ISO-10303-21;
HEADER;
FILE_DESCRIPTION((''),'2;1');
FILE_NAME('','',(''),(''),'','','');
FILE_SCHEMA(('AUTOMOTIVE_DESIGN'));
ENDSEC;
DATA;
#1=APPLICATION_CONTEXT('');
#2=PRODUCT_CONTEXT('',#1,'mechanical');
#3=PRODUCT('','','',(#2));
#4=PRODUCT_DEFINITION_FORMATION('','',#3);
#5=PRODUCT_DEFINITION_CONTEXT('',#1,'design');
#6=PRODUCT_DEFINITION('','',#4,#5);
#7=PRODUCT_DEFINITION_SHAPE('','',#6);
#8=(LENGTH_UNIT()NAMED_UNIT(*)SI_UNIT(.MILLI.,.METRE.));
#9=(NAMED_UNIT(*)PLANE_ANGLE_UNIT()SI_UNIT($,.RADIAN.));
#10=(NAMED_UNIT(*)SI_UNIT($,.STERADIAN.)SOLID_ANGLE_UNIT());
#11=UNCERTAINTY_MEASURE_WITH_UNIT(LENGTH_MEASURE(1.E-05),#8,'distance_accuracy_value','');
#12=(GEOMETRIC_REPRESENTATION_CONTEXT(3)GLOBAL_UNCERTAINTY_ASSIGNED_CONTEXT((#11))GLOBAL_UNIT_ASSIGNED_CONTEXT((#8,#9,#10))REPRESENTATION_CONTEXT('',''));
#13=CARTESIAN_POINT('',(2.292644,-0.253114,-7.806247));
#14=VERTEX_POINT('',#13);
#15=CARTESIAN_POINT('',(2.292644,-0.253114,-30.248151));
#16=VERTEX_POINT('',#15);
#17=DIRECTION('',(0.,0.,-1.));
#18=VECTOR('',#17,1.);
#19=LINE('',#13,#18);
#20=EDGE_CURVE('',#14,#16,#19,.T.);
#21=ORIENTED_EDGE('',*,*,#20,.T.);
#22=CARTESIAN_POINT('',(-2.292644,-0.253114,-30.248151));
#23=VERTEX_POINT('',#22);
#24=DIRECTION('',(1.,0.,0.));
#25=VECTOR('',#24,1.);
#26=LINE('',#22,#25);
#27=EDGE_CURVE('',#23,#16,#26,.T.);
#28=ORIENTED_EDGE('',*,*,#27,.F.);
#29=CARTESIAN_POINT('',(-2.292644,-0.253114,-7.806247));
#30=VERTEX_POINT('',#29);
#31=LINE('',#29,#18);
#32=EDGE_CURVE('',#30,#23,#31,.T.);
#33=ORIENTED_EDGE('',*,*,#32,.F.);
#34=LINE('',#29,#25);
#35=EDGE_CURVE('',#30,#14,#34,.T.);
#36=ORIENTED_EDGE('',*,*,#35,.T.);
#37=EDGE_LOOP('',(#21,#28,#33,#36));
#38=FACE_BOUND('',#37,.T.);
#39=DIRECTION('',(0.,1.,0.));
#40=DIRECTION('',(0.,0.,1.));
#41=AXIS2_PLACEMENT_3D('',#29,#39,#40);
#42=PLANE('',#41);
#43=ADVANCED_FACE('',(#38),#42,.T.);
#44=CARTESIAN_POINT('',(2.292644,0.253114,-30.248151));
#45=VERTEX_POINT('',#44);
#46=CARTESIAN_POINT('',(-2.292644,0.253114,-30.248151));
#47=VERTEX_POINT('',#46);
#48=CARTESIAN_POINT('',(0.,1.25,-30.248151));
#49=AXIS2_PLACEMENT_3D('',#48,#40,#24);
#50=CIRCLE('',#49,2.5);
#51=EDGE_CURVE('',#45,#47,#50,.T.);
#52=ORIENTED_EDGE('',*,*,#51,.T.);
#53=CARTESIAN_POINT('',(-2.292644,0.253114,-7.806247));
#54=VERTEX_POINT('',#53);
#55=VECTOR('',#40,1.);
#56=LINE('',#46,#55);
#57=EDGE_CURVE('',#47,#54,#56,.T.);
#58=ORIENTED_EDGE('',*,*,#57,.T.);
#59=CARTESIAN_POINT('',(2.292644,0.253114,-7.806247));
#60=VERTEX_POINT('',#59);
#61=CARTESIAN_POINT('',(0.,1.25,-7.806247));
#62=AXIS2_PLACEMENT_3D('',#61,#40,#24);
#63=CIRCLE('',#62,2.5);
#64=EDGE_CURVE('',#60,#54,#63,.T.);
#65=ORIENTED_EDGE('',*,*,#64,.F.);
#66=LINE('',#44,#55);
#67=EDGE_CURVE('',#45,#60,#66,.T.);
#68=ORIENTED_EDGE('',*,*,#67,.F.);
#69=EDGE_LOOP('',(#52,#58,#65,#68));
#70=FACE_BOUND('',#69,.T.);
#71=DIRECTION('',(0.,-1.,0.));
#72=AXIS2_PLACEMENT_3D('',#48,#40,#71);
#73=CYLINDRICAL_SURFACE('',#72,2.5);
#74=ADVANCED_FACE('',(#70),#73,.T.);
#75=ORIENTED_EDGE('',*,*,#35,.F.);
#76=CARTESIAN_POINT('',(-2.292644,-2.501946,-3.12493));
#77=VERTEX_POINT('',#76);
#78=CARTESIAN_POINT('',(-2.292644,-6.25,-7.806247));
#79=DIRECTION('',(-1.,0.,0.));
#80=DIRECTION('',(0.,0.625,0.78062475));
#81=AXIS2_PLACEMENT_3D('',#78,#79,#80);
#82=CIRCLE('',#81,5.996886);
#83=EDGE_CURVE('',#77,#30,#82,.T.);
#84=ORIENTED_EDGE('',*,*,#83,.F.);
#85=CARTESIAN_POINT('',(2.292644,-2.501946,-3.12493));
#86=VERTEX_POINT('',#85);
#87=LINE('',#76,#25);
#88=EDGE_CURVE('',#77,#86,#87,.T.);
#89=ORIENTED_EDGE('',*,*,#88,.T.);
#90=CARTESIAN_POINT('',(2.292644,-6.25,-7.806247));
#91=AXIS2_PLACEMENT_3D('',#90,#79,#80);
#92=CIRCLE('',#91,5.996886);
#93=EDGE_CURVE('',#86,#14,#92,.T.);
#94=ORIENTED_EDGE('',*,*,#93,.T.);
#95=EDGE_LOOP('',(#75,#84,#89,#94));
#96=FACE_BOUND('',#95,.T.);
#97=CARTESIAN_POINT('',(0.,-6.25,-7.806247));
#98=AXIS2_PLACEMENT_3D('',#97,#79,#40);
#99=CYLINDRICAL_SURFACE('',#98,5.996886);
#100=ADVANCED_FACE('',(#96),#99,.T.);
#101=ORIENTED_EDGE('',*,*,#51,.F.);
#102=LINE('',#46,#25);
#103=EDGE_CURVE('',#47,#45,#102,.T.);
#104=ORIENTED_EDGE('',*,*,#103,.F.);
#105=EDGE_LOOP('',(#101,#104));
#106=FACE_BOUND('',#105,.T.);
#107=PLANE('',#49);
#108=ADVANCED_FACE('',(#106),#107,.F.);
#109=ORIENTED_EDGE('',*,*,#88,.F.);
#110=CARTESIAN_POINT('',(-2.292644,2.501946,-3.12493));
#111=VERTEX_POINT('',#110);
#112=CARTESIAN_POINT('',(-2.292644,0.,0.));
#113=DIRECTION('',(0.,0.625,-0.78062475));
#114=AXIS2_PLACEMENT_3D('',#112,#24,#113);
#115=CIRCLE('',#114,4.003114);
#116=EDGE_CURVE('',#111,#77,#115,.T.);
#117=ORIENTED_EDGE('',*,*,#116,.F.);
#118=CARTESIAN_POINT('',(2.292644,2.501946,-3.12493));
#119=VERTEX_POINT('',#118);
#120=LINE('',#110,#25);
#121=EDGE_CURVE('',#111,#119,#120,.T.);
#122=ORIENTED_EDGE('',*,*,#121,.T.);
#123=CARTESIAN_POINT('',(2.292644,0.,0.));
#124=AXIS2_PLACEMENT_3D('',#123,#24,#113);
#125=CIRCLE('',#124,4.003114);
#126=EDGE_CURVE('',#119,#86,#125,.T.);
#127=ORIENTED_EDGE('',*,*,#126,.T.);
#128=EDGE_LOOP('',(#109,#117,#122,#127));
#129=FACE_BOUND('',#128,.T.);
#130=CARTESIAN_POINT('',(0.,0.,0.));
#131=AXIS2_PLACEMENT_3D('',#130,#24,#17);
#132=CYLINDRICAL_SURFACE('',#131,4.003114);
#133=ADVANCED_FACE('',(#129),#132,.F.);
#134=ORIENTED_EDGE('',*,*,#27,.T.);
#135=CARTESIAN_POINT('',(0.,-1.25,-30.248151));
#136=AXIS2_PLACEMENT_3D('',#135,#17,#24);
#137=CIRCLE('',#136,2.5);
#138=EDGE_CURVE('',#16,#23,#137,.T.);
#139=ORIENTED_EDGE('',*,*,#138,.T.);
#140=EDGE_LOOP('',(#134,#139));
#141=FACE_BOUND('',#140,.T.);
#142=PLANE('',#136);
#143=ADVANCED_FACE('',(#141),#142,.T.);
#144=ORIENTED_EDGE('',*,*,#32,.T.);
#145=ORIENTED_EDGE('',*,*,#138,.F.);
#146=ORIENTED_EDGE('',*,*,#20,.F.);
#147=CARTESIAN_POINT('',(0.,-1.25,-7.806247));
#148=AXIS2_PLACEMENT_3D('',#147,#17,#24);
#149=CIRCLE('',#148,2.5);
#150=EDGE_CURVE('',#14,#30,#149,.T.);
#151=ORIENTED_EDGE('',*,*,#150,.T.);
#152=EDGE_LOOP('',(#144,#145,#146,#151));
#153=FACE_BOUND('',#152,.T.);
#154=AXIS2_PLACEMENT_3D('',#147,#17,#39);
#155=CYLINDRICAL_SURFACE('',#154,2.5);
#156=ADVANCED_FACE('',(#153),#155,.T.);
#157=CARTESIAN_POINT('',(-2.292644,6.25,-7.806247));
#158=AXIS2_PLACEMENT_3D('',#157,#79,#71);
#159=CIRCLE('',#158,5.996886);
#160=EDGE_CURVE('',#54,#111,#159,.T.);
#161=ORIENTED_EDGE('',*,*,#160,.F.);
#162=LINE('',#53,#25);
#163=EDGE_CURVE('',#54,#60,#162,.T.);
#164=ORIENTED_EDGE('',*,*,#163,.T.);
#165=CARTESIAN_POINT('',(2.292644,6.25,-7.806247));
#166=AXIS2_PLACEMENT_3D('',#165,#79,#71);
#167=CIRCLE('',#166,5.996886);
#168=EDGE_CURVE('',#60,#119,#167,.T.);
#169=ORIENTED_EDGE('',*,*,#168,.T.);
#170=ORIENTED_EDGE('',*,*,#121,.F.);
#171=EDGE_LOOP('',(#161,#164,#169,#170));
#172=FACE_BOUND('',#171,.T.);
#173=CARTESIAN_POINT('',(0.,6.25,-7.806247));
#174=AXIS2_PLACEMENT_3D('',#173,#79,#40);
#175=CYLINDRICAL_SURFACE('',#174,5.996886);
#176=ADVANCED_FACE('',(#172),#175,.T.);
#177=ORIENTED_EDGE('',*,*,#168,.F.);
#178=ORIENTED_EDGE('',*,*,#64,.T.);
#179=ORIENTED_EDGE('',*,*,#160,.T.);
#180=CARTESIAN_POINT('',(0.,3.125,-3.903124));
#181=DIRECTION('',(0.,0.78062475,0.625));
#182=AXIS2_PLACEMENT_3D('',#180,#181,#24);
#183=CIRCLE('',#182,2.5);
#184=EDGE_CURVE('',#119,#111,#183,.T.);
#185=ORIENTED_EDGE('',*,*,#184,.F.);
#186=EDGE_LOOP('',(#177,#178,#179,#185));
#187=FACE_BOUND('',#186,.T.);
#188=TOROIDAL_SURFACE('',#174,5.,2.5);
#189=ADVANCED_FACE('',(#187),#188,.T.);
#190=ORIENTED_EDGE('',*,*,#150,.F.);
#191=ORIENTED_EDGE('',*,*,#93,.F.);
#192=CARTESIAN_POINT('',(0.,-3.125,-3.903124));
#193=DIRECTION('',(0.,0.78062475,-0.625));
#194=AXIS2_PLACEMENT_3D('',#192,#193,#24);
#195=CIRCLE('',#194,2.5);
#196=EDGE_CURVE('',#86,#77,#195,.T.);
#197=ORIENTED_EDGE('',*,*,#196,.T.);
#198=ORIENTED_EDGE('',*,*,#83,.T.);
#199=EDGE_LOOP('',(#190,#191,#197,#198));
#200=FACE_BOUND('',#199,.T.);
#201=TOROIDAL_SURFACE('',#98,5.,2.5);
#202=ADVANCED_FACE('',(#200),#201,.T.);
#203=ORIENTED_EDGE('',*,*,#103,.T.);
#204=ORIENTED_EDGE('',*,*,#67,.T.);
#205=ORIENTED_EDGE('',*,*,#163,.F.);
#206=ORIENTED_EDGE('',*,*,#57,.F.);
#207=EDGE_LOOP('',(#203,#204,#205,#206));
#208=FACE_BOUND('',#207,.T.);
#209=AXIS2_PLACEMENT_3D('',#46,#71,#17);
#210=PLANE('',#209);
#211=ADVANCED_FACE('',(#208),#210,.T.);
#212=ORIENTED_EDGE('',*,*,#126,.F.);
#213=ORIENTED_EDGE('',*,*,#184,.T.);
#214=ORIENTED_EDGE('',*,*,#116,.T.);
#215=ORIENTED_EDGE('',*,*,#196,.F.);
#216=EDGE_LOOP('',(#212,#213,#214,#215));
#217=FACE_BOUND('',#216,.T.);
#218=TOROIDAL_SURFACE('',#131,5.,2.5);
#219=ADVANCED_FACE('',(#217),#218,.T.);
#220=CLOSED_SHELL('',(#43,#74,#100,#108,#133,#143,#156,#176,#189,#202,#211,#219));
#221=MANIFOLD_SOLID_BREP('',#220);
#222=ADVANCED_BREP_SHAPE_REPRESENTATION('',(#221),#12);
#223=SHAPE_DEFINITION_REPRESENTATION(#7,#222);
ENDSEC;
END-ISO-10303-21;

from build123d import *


with BuildPart() as part:
    # Sweep1: sweep along a path in Sketch1
    with BuildLine(Plane(origin=(0, 0, 0), x_dir=(0, 0, -1), z_dir=(1, 0, 0))) as sweep1_path:
        Line((30.24815072, 1.25), (7.806247498, 1.25))
        ThreePointArc((7.806247498, 1.25), (5.641183989, 1.743060906), (3.903123749, 3.125))
        ThreePointArc((3.903123749, 3.125), (-5, 0), (3.903123749, -3.125))
        ThreePointArc((3.903123749, -3.125), (5.641183989, -1.743060906), (7.806247498, -1.25))
        Line((7.806247498, -1.25), (30.24815072, -1.25))
    # Sketch5 → Sweep1 (sweep)
    with BuildSketch(Plane.XY.offset(-30.24815072)):
        with BuildLine():
            Line((-2.292644426, 0.253114081), (2.292644426, 0.253114081))
            ThreePointArc((2.292644426, 0.253114081), (0, 3.75), (-2.292644426, 0.253114081))
        make_face()
    sweep(path=sweep1_path.line)


solid = part.part
